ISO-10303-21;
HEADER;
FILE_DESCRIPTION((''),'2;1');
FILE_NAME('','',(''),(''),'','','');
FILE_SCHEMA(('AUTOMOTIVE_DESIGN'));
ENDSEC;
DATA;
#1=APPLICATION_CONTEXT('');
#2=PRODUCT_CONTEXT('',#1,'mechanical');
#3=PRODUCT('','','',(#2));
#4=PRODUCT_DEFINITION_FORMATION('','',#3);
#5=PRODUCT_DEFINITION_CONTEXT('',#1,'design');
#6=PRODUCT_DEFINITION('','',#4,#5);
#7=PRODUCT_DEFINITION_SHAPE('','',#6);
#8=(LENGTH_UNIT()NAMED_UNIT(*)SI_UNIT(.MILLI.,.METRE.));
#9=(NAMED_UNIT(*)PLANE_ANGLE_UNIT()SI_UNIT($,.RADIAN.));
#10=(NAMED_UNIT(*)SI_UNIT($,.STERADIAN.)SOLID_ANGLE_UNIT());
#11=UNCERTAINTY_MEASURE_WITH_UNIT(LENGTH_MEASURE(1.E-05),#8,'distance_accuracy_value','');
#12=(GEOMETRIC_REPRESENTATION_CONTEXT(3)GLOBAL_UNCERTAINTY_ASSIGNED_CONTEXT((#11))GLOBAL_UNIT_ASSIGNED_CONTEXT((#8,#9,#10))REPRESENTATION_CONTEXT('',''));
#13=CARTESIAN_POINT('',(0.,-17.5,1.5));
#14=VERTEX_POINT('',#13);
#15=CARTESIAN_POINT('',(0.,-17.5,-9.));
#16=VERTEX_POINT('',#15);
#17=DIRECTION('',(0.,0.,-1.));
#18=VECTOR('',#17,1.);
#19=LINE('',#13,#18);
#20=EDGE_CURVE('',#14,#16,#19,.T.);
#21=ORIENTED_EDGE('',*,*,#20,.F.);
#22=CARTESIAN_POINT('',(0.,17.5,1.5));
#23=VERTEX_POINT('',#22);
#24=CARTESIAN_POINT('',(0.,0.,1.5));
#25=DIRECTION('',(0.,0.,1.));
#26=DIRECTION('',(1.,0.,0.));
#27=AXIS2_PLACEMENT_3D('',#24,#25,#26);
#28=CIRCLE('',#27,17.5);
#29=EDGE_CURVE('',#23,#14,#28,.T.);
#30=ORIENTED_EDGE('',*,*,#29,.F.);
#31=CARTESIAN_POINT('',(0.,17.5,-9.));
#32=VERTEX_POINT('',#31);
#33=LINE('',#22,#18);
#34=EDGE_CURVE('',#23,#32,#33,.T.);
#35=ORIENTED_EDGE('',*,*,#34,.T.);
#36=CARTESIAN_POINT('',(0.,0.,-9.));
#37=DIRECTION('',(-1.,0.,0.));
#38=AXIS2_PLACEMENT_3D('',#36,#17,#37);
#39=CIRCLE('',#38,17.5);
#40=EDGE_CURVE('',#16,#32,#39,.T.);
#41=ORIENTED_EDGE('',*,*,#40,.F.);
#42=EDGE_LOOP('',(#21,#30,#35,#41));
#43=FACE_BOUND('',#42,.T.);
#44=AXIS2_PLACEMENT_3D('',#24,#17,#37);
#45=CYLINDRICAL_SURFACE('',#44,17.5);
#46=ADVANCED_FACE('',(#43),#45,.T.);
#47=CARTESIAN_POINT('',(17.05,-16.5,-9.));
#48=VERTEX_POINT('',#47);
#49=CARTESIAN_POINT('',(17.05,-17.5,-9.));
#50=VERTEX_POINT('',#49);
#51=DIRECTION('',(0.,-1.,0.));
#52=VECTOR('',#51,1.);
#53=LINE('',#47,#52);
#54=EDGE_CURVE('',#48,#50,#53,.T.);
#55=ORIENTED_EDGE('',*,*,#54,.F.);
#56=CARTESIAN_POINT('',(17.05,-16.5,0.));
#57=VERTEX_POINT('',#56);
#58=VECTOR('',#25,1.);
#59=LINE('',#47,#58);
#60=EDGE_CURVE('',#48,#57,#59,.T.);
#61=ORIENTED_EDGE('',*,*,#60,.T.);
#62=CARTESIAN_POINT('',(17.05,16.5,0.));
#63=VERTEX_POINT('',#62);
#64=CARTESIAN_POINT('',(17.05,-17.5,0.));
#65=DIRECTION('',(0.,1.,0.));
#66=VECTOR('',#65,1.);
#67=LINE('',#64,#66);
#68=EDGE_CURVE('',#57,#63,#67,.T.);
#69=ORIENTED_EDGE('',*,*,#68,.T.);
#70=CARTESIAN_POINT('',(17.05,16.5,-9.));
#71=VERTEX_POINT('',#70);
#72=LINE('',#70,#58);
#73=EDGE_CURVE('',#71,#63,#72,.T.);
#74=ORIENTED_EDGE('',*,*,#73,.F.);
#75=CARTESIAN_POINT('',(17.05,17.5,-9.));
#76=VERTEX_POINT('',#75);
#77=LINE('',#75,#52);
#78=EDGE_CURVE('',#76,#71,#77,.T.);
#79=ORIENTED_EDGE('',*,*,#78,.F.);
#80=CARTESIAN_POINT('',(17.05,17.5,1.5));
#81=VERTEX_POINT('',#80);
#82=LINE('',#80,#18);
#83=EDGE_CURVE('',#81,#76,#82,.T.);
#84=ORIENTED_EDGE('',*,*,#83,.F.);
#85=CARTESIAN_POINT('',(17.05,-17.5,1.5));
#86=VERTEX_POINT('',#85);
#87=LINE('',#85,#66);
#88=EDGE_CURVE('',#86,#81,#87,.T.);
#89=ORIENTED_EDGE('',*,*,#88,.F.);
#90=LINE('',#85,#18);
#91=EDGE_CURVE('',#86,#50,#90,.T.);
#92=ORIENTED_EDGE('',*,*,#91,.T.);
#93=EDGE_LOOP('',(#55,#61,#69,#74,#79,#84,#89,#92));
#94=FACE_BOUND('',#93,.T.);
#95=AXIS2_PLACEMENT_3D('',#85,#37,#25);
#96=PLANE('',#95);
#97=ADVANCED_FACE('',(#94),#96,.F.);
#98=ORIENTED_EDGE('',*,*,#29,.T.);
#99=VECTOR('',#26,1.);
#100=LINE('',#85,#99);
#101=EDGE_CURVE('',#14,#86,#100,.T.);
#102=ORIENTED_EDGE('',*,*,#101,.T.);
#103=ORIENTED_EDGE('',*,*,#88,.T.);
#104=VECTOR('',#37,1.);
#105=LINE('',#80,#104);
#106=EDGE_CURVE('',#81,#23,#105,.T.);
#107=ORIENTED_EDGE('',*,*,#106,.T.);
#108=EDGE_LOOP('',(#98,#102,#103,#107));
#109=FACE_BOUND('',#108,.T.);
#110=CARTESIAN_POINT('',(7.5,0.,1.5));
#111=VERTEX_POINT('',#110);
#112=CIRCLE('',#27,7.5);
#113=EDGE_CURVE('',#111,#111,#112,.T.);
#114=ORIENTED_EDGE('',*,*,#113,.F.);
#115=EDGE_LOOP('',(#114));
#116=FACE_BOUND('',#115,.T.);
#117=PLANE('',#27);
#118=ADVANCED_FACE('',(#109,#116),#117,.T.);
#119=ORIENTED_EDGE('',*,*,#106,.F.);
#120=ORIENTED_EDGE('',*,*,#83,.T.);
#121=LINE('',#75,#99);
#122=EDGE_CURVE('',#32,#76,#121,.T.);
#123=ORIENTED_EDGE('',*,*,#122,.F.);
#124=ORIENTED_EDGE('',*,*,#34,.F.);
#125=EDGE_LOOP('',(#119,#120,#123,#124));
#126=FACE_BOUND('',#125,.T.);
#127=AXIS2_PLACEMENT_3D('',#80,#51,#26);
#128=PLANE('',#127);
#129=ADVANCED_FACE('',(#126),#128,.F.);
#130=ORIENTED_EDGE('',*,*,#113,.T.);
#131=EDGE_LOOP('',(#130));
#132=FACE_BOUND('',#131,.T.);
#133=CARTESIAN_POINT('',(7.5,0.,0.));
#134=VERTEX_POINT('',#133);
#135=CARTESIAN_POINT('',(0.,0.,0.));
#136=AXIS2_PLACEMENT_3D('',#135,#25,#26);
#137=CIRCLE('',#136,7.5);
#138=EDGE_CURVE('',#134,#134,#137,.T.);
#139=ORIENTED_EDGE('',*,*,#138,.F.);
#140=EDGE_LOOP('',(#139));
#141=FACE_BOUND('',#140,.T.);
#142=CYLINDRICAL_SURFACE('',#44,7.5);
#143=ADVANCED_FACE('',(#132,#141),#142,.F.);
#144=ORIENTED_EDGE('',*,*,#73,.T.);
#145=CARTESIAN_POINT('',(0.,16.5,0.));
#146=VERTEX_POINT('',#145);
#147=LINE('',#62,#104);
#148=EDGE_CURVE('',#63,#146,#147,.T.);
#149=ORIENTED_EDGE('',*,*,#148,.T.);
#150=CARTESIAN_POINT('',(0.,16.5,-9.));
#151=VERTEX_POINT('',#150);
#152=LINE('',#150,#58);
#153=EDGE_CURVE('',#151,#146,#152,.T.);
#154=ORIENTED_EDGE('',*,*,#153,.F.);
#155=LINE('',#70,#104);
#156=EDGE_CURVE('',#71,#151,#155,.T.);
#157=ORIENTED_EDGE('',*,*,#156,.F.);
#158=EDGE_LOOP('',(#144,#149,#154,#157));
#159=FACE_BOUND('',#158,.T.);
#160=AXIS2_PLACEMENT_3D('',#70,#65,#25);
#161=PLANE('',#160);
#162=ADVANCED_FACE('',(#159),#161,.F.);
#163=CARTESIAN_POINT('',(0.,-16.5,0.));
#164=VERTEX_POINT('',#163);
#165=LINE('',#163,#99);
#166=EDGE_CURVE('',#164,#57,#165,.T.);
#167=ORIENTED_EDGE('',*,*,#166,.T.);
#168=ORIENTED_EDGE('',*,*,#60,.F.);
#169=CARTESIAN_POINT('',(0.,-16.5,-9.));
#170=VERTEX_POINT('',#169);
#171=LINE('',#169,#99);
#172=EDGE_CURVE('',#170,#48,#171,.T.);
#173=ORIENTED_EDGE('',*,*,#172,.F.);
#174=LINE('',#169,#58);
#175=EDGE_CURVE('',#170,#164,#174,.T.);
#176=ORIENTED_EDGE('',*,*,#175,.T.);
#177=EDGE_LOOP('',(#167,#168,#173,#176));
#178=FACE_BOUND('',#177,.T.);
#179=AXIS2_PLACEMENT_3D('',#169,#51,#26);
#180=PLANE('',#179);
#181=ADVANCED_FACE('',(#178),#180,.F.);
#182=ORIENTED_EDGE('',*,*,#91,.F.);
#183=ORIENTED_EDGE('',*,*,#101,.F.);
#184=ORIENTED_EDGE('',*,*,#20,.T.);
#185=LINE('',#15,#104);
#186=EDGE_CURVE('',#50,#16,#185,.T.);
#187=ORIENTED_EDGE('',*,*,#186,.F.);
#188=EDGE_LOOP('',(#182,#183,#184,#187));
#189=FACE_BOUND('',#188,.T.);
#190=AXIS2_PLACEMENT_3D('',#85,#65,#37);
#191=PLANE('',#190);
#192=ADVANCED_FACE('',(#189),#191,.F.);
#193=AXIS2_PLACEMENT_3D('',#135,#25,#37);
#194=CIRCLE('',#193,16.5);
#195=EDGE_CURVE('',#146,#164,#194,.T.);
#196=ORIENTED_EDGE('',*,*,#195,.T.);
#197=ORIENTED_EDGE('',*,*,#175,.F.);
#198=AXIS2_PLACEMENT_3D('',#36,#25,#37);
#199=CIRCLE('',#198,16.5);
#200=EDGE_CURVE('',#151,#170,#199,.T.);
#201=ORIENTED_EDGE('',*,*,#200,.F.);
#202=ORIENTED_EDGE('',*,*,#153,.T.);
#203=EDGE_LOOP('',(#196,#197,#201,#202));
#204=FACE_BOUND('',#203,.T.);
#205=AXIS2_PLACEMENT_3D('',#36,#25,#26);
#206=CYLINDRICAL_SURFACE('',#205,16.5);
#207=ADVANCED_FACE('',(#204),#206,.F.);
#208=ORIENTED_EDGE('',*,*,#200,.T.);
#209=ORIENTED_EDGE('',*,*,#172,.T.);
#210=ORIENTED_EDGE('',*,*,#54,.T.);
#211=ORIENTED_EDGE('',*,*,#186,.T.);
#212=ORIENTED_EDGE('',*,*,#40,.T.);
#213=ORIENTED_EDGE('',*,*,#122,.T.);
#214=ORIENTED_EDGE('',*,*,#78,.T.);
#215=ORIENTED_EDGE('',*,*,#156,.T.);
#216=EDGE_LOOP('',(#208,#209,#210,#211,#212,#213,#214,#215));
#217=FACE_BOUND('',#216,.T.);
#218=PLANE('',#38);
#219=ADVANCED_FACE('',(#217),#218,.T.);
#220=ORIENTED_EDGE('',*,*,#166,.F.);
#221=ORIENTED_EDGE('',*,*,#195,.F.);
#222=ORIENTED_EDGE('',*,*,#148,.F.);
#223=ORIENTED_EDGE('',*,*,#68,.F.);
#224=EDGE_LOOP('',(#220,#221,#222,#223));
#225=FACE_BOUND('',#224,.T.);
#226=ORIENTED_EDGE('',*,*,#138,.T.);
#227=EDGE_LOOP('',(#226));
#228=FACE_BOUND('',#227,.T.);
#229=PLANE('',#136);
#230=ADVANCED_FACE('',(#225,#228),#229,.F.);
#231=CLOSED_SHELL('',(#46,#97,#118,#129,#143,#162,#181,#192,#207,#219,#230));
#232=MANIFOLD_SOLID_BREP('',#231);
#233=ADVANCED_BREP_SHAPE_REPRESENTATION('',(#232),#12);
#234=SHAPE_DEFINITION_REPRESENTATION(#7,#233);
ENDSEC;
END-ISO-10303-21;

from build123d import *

# Parameters (mm, degrees)
SCHIZZO1_R                   = 7.5
ESTRUSIONE_ESTRUSIONE1_DEPTH = 1.5
ESTRUSIONE_ESTRUSIONE2_START = 9
ESTRUSIONE_ESTRUSIONE2_DEPTH = 9


with BuildPart() as part:
    # Schizzo1 → Estrusione-Estrusione1 (new body)
    with BuildSketch(Plane.XY):
        with BuildLine():
            Line((17.05, -17.5), (0, -17.5))
            ThreePointArc((0, -17.5), (-17.5, 0), (0, 17.5))
            Line((0, 17.5), (17.05, 17.5))
            Line((17.05, 17.5), (17.05, -17.5))
        make_face()
        Circle(SCHIZZO1_R, mode=Mode.SUBTRACT)
    extrude(amount=ESTRUSIONE_ESTRUSIONE1_DEPTH)

    # Schizzo2 → Estrusione-Estrusione2 (add)
    with BuildSketch(Plane(origin=(0, 0, 0), x_dir=(-1, 0, 0), z_dir=(0, 0, -1)).offset(ESTRUSIONE_ESTRUSIONE2_START)):
        with BuildLine():
            Line((-17.05, 17.5), (0, 17.5))
            ThreePointArc((0, 17.5), (17.5, 0), (0, -17.5))
            Line((0, -17.5), (-17.05, -17.5))
            Line((-17.05, -17.5), (-17.05, -16.5))
            Line((-17.05, -16.5), (0, -16.5))
            ThreePointArc((0, -16.5), (16.5, 0), (0, 16.5))
            Line((0, 16.5), (-17.05, 16.5))
            Line((-17.05, 16.5), (-17.05, 17.5))
        make_face()
    extrude(amount=-ESTRUSIONE_ESTRUSIONE2_DEPTH)


solid = part.part
